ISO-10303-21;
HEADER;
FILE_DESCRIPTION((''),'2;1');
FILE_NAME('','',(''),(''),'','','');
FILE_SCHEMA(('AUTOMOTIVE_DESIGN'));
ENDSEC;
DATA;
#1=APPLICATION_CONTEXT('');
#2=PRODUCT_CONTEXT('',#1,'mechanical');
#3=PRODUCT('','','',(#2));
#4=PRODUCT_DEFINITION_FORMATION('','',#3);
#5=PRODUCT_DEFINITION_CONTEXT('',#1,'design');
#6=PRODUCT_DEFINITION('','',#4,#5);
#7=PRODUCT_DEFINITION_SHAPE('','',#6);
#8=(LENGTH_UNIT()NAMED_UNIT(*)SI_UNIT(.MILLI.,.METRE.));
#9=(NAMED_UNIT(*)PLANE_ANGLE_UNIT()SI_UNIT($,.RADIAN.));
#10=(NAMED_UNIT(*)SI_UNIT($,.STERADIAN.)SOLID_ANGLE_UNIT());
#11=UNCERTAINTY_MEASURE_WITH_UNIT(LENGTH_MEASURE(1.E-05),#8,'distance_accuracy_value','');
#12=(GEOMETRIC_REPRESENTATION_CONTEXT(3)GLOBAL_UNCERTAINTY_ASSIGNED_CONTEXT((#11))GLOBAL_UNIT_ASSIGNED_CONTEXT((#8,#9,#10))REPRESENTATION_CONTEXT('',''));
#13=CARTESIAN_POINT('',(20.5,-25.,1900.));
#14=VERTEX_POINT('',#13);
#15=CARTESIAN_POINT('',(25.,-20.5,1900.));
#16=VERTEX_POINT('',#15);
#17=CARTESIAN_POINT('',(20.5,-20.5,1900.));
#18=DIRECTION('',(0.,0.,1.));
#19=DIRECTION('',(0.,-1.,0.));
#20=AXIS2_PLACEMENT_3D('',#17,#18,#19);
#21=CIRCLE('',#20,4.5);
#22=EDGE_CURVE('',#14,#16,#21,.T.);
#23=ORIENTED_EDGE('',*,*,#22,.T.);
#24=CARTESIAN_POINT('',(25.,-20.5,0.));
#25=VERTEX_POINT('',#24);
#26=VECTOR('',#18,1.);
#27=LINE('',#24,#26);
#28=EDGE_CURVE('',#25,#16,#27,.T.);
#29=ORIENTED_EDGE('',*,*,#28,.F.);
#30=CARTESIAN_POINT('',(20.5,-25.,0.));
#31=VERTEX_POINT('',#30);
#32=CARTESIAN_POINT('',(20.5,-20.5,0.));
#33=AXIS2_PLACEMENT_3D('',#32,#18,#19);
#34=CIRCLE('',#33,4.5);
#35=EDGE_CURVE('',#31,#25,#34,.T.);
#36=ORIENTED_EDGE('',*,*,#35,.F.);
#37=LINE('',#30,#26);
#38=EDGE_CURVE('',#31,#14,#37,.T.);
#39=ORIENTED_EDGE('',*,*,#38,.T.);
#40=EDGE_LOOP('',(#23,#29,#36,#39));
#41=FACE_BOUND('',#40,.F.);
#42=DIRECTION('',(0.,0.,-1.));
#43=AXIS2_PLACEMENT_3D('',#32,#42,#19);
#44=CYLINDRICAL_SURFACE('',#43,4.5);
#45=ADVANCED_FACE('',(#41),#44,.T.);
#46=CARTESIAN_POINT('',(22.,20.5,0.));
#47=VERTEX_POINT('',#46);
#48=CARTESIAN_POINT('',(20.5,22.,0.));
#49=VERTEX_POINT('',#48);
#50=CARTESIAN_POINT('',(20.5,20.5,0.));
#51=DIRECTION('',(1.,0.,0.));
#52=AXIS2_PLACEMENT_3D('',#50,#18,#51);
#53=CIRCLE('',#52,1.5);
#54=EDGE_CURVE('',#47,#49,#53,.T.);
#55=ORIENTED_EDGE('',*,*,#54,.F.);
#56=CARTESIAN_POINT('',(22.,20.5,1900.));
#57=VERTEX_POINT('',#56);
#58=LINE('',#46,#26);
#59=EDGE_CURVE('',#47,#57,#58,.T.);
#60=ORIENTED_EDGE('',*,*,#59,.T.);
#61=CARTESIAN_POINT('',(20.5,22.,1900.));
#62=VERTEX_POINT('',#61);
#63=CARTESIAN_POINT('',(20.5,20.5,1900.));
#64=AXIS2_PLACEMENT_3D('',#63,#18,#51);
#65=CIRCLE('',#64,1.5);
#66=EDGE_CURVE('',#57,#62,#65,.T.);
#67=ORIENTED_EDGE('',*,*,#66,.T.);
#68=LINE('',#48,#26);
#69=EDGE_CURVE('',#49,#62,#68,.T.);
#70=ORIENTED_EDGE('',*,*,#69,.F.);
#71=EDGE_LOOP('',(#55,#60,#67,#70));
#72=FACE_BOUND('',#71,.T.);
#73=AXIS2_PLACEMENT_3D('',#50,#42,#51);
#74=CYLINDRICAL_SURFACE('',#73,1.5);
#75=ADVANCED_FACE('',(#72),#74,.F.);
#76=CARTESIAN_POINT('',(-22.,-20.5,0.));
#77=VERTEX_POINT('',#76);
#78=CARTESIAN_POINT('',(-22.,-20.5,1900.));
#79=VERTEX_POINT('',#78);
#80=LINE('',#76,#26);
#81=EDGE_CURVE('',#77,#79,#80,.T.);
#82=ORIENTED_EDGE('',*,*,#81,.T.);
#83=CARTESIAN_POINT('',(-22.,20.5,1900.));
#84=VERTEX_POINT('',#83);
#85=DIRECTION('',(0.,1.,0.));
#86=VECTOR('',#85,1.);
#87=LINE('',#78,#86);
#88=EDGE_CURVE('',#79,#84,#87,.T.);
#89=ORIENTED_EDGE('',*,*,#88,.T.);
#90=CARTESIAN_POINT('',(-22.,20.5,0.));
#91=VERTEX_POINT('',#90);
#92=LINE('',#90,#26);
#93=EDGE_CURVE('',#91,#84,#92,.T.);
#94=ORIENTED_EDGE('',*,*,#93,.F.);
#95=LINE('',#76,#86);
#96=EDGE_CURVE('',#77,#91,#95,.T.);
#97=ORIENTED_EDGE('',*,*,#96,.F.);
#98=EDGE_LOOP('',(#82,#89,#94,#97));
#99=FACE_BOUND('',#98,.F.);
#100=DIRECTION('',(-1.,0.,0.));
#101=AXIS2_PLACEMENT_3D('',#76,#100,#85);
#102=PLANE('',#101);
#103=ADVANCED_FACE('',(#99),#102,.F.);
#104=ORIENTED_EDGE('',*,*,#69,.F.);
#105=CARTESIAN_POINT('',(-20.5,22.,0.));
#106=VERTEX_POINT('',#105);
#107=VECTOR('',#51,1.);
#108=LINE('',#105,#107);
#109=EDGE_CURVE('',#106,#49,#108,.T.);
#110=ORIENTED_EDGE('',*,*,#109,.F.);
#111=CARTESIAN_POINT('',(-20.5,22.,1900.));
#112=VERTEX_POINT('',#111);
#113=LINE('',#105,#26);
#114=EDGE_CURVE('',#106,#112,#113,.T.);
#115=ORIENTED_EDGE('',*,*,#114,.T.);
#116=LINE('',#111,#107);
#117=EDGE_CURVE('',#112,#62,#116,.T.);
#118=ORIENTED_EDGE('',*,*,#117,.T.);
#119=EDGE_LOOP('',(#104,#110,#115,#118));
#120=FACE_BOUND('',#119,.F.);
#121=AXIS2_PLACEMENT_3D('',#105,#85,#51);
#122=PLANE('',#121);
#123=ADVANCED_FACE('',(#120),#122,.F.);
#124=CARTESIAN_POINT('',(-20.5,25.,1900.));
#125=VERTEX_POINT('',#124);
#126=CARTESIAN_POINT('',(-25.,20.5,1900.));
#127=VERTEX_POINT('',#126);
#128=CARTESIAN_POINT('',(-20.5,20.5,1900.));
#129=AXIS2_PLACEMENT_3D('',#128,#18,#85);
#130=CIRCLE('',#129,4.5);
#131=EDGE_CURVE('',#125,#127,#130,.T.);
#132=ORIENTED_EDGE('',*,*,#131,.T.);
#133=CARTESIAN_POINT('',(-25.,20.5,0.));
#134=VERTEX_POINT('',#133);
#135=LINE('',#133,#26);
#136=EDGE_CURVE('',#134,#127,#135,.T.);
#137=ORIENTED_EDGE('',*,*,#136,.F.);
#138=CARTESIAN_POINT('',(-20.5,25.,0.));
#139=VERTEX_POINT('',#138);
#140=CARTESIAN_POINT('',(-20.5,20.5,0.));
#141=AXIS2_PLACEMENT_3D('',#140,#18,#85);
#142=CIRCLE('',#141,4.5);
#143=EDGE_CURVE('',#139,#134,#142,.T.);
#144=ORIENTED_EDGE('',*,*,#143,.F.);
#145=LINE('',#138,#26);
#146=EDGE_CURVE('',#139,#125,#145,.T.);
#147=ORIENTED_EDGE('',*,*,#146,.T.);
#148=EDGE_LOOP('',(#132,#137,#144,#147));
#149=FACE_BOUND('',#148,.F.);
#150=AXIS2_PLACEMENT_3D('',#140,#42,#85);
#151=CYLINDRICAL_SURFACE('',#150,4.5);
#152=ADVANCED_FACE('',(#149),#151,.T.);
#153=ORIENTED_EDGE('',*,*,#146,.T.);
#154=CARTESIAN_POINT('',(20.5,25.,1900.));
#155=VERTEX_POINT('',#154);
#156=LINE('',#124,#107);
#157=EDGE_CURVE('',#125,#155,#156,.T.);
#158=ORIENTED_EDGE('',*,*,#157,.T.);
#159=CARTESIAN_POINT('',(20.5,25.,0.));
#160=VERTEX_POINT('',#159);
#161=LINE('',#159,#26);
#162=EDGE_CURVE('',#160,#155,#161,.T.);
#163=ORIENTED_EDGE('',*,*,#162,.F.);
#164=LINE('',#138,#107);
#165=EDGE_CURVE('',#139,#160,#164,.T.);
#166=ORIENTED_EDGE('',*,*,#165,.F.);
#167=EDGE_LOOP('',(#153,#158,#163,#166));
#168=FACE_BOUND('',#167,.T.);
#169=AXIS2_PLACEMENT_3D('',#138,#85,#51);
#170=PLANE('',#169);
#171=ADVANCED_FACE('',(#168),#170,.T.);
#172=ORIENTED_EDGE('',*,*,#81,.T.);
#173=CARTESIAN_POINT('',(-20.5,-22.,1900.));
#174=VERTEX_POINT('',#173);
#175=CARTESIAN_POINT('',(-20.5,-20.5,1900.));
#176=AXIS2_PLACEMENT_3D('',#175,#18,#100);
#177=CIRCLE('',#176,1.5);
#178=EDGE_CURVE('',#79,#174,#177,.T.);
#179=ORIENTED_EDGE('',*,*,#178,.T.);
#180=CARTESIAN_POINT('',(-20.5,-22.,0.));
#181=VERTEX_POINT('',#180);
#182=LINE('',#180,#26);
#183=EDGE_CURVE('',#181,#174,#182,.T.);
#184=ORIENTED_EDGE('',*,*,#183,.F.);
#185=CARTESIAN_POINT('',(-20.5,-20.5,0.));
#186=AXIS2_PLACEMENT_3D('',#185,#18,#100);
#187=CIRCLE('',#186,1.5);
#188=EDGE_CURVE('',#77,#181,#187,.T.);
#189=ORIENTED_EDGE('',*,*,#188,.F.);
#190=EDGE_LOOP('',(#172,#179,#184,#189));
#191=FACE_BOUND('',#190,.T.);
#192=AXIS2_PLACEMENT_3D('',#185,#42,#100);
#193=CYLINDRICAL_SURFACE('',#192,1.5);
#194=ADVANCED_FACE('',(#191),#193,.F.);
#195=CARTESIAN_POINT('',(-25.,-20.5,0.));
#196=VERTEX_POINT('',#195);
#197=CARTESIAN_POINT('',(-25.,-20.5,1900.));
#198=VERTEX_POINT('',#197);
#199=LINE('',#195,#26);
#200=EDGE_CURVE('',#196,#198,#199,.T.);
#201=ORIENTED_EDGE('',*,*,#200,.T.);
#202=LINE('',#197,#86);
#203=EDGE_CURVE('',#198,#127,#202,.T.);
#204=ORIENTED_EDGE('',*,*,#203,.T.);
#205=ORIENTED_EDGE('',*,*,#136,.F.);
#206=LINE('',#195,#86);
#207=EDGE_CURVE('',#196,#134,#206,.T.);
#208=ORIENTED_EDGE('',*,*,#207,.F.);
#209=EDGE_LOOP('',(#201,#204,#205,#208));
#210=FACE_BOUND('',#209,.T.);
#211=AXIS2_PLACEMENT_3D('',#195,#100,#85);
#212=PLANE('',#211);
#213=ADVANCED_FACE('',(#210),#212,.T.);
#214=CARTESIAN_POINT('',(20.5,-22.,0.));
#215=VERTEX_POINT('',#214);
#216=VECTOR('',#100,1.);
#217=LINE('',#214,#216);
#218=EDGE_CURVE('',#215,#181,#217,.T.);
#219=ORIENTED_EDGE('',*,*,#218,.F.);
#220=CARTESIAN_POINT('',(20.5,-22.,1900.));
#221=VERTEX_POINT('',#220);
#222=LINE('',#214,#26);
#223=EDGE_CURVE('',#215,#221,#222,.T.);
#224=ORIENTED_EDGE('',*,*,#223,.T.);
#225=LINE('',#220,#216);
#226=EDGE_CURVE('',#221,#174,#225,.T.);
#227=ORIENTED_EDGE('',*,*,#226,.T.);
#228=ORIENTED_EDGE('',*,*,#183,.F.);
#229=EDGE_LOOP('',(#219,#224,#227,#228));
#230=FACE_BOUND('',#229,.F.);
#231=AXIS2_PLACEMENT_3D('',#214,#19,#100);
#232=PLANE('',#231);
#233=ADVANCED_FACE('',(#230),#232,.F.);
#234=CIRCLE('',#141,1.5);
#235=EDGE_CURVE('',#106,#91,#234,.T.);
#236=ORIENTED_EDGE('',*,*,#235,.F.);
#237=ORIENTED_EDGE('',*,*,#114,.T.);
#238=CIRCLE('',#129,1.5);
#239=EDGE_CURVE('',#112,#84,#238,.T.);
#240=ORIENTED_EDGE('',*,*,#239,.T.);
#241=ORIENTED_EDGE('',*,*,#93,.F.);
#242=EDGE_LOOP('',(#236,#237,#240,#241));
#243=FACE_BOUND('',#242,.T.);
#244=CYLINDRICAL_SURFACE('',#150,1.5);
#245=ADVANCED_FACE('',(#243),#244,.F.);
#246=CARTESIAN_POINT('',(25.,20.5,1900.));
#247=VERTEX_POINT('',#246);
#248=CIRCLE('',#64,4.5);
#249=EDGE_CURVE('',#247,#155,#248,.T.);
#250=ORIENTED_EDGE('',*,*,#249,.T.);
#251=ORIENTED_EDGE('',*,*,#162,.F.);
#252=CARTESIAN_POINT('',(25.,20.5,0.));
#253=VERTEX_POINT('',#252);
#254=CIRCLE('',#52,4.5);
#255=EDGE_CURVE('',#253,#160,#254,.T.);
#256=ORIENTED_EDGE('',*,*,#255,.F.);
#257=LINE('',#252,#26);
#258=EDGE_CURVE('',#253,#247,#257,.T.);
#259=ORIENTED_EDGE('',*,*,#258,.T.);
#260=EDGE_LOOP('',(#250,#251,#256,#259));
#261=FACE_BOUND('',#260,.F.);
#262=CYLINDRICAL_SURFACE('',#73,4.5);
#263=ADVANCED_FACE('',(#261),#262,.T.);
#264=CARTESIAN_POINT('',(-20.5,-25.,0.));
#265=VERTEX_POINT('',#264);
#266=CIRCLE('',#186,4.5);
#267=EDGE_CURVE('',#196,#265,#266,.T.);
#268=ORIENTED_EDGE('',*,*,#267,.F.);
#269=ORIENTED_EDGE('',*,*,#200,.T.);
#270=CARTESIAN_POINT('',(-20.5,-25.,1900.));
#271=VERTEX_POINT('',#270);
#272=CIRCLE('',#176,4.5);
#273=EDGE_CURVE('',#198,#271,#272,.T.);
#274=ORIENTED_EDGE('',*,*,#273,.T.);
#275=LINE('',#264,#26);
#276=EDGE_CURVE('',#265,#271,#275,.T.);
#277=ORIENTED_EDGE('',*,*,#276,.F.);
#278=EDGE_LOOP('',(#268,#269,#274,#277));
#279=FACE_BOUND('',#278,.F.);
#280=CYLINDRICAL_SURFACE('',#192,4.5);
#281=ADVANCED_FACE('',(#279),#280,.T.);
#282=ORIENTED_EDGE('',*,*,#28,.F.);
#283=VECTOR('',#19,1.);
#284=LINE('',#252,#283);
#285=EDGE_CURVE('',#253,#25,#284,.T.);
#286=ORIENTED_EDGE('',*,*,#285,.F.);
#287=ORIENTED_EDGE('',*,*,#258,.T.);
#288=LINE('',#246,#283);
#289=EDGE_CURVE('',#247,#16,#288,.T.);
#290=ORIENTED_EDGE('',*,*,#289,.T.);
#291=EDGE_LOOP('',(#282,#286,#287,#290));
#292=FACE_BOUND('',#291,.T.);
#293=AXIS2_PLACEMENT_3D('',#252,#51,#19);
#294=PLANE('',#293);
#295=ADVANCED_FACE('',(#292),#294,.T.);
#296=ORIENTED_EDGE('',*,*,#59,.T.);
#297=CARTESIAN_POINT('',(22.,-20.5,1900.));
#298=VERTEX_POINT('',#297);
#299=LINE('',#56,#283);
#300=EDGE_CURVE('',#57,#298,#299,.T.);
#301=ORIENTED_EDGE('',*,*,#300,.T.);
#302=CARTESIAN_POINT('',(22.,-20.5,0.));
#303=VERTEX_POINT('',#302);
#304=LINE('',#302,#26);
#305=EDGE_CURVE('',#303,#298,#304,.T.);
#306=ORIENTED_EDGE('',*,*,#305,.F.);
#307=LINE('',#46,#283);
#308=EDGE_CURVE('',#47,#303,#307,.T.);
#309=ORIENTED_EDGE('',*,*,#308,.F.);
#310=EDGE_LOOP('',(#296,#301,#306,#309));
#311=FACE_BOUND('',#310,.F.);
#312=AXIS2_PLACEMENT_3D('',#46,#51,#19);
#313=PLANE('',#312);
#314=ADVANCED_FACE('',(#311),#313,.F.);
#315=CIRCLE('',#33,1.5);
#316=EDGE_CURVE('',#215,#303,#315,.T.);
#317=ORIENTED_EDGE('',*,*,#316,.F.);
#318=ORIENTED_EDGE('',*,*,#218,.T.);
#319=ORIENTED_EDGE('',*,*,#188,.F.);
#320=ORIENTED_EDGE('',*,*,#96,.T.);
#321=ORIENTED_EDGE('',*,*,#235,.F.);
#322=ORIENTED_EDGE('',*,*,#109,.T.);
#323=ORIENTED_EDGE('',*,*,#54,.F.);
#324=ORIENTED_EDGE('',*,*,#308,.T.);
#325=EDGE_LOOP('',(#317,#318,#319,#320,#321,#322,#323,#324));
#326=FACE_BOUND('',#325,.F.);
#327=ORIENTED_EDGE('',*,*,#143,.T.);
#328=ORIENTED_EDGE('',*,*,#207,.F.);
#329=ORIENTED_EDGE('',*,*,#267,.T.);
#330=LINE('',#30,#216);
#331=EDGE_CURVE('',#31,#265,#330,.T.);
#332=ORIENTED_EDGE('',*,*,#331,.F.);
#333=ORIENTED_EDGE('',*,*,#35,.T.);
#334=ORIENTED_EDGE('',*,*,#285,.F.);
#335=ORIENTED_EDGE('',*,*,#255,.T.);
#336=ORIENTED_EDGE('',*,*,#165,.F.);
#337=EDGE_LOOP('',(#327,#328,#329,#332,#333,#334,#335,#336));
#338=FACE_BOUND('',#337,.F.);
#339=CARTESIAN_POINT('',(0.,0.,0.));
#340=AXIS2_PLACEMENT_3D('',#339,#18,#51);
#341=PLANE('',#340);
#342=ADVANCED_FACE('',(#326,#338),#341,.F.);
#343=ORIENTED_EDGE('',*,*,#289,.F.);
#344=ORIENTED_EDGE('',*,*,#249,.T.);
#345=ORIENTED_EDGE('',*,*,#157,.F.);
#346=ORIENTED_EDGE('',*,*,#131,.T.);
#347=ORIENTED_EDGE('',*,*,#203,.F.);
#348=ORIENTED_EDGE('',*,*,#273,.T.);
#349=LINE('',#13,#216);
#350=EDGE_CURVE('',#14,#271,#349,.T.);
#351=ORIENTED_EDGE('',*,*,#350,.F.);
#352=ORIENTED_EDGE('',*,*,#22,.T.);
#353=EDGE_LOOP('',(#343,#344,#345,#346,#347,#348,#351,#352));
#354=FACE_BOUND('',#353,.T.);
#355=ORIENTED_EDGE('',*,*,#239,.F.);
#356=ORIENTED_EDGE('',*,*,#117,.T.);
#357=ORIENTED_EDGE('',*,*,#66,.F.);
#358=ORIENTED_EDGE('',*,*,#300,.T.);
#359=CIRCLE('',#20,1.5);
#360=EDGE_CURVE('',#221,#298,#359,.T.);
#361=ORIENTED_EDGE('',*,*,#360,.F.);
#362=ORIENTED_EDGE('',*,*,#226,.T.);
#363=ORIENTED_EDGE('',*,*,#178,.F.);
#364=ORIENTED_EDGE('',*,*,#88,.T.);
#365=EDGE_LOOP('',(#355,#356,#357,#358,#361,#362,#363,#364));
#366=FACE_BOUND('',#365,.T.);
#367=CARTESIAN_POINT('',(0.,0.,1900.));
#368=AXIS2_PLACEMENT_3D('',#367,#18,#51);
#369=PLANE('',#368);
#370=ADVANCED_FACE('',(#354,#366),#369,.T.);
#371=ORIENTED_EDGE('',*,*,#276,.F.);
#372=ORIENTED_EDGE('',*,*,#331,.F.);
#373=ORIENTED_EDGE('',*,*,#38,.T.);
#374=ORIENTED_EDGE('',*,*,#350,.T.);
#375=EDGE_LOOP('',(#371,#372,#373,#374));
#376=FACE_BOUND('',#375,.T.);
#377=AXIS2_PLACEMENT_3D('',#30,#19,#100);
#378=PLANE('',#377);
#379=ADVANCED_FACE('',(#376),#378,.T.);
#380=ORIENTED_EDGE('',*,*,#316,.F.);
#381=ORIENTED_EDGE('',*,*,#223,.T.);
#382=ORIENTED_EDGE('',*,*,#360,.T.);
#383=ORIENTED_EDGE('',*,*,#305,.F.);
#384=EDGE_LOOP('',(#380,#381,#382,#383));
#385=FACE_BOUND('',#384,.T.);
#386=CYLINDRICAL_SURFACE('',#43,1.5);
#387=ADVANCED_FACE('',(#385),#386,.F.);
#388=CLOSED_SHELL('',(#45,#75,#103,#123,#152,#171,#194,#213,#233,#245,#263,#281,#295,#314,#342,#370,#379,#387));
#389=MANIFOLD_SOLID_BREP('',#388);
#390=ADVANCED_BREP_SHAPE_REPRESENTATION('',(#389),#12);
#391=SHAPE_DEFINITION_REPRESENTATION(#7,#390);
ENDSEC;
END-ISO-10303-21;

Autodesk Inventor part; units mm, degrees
ref_plane "YZ Plane" through (0, 0, 0) normal (1, 0, 0) x (0, 1, 0)
ref_plane "Start plane" through (0, 0, 0) normal (0, 0, 1) x (1, 0, 0)
ref_plane "End plane" through (0, 0, 1900) normal (0, 0, 1) x (1, 0, 0)
sketch "Sketch" plane through (0, 0, 0) normal (0, 0, 1) x (1, 0, 0)
  line L0 (-25, -20.5) -> (-25, 20.5)
  line L1 (-20.5, 25) -> (20.5, 25)
  line L2 (25, 20.5) -> (25, -20.5)
  line L3 (20.5, -25) -> (-20.5, -25)
  arc A0 (-25, -20.5) -> (-20.5, -25) centre (-20.5, -20.5) ccw
  arc A1 (-20.5, 25) -> (-25, 20.5) centre (-20.5, 20.5) ccw
  arc A2 (25, 20.5) -> (20.5, 25) centre (20.5, 20.5) ccw
  arc A3 (20.5, -25) -> (25, -20.5) centre (20.5, -20.5) ccw
  arc A4 (-20.5, 22) -> (-22, 20.5) centre (-20.5, 20.5) ccw
  line L4 (-20.5, 22) -> (20.5, 22)
  arc A5 (22, 20.5) -> (20.5, 22) centre (20.5, 20.5) ccw
  line L5 (22, 20.5) -> (22, -20.5)
  arc A6 (20.5, -22) -> (22, -20.5) centre (20.5, -20.5) ccw
  line L6 (20.5, -22) -> (-20.5, -22)
  arc A7 (-22, -20.5) -> (-20.5, -22) centre (-20.5, -20.5) ccw
  line L7 (-22, -20.5) -> (-22, 20.5)
  line L8 (0, 36.3048) -> (0, -36.3048) construction
  line L9 (-36.3048, 0) -> (36.3048, 0) construction
  dimension "d7" = 4.5
  dimension "d10" = 50
  dimension "d11" = 50
  dimension "d12" = 3
  dimension "d15" = 25
  dimension "d16" = 25
extrude "Body" add sketch "Sketch" along normal up to surface (1900 mm away) from surface at 0
sketch "Sketch3" plane through (0, 0, 0) normal (0, 0, 1) x (1, 0, 0)
  line L0 (0, 0) -> (10, 0)
ref_plane "Work Plane3" through (0, 0, 0) normal (0, -1, 0) x (1, 0, 0)
sketch "Sketch4" plane through (0, 0, 0) normal (0, -1, 0) x (1, 0, 0)
  line L0 (-2, 0) -> (12, 0) projected
  line L1 (-2, 1900) -> (12, 1900) projected
  dimension "d18" = 1900
equation "\"d7\" = G_IR"
equation "\"d10\" = G_H"
equation "\"d11\" = G_W"
equation "\"d12\" = G_T"
equation "\"d15\" = 0.5 * d10"
equation "\"d16\" = 0.5 * d11"
equation "\"d3\" = G_L"
equation "\"G_W\" = 50"
equation "\"G_H\" = 50"
equation "\"G_T\" = 3"
equation "\"G_IR\" = 4.5"
equation "\"G_L\" = d18"
equation "\"G_OFFSET_START\" = 0"
equation "\"G_OFFSET_END\" = 0"
properties part number "ISO 12633-2 - 50x50x3 - 1900" material "Steel, Mild"
